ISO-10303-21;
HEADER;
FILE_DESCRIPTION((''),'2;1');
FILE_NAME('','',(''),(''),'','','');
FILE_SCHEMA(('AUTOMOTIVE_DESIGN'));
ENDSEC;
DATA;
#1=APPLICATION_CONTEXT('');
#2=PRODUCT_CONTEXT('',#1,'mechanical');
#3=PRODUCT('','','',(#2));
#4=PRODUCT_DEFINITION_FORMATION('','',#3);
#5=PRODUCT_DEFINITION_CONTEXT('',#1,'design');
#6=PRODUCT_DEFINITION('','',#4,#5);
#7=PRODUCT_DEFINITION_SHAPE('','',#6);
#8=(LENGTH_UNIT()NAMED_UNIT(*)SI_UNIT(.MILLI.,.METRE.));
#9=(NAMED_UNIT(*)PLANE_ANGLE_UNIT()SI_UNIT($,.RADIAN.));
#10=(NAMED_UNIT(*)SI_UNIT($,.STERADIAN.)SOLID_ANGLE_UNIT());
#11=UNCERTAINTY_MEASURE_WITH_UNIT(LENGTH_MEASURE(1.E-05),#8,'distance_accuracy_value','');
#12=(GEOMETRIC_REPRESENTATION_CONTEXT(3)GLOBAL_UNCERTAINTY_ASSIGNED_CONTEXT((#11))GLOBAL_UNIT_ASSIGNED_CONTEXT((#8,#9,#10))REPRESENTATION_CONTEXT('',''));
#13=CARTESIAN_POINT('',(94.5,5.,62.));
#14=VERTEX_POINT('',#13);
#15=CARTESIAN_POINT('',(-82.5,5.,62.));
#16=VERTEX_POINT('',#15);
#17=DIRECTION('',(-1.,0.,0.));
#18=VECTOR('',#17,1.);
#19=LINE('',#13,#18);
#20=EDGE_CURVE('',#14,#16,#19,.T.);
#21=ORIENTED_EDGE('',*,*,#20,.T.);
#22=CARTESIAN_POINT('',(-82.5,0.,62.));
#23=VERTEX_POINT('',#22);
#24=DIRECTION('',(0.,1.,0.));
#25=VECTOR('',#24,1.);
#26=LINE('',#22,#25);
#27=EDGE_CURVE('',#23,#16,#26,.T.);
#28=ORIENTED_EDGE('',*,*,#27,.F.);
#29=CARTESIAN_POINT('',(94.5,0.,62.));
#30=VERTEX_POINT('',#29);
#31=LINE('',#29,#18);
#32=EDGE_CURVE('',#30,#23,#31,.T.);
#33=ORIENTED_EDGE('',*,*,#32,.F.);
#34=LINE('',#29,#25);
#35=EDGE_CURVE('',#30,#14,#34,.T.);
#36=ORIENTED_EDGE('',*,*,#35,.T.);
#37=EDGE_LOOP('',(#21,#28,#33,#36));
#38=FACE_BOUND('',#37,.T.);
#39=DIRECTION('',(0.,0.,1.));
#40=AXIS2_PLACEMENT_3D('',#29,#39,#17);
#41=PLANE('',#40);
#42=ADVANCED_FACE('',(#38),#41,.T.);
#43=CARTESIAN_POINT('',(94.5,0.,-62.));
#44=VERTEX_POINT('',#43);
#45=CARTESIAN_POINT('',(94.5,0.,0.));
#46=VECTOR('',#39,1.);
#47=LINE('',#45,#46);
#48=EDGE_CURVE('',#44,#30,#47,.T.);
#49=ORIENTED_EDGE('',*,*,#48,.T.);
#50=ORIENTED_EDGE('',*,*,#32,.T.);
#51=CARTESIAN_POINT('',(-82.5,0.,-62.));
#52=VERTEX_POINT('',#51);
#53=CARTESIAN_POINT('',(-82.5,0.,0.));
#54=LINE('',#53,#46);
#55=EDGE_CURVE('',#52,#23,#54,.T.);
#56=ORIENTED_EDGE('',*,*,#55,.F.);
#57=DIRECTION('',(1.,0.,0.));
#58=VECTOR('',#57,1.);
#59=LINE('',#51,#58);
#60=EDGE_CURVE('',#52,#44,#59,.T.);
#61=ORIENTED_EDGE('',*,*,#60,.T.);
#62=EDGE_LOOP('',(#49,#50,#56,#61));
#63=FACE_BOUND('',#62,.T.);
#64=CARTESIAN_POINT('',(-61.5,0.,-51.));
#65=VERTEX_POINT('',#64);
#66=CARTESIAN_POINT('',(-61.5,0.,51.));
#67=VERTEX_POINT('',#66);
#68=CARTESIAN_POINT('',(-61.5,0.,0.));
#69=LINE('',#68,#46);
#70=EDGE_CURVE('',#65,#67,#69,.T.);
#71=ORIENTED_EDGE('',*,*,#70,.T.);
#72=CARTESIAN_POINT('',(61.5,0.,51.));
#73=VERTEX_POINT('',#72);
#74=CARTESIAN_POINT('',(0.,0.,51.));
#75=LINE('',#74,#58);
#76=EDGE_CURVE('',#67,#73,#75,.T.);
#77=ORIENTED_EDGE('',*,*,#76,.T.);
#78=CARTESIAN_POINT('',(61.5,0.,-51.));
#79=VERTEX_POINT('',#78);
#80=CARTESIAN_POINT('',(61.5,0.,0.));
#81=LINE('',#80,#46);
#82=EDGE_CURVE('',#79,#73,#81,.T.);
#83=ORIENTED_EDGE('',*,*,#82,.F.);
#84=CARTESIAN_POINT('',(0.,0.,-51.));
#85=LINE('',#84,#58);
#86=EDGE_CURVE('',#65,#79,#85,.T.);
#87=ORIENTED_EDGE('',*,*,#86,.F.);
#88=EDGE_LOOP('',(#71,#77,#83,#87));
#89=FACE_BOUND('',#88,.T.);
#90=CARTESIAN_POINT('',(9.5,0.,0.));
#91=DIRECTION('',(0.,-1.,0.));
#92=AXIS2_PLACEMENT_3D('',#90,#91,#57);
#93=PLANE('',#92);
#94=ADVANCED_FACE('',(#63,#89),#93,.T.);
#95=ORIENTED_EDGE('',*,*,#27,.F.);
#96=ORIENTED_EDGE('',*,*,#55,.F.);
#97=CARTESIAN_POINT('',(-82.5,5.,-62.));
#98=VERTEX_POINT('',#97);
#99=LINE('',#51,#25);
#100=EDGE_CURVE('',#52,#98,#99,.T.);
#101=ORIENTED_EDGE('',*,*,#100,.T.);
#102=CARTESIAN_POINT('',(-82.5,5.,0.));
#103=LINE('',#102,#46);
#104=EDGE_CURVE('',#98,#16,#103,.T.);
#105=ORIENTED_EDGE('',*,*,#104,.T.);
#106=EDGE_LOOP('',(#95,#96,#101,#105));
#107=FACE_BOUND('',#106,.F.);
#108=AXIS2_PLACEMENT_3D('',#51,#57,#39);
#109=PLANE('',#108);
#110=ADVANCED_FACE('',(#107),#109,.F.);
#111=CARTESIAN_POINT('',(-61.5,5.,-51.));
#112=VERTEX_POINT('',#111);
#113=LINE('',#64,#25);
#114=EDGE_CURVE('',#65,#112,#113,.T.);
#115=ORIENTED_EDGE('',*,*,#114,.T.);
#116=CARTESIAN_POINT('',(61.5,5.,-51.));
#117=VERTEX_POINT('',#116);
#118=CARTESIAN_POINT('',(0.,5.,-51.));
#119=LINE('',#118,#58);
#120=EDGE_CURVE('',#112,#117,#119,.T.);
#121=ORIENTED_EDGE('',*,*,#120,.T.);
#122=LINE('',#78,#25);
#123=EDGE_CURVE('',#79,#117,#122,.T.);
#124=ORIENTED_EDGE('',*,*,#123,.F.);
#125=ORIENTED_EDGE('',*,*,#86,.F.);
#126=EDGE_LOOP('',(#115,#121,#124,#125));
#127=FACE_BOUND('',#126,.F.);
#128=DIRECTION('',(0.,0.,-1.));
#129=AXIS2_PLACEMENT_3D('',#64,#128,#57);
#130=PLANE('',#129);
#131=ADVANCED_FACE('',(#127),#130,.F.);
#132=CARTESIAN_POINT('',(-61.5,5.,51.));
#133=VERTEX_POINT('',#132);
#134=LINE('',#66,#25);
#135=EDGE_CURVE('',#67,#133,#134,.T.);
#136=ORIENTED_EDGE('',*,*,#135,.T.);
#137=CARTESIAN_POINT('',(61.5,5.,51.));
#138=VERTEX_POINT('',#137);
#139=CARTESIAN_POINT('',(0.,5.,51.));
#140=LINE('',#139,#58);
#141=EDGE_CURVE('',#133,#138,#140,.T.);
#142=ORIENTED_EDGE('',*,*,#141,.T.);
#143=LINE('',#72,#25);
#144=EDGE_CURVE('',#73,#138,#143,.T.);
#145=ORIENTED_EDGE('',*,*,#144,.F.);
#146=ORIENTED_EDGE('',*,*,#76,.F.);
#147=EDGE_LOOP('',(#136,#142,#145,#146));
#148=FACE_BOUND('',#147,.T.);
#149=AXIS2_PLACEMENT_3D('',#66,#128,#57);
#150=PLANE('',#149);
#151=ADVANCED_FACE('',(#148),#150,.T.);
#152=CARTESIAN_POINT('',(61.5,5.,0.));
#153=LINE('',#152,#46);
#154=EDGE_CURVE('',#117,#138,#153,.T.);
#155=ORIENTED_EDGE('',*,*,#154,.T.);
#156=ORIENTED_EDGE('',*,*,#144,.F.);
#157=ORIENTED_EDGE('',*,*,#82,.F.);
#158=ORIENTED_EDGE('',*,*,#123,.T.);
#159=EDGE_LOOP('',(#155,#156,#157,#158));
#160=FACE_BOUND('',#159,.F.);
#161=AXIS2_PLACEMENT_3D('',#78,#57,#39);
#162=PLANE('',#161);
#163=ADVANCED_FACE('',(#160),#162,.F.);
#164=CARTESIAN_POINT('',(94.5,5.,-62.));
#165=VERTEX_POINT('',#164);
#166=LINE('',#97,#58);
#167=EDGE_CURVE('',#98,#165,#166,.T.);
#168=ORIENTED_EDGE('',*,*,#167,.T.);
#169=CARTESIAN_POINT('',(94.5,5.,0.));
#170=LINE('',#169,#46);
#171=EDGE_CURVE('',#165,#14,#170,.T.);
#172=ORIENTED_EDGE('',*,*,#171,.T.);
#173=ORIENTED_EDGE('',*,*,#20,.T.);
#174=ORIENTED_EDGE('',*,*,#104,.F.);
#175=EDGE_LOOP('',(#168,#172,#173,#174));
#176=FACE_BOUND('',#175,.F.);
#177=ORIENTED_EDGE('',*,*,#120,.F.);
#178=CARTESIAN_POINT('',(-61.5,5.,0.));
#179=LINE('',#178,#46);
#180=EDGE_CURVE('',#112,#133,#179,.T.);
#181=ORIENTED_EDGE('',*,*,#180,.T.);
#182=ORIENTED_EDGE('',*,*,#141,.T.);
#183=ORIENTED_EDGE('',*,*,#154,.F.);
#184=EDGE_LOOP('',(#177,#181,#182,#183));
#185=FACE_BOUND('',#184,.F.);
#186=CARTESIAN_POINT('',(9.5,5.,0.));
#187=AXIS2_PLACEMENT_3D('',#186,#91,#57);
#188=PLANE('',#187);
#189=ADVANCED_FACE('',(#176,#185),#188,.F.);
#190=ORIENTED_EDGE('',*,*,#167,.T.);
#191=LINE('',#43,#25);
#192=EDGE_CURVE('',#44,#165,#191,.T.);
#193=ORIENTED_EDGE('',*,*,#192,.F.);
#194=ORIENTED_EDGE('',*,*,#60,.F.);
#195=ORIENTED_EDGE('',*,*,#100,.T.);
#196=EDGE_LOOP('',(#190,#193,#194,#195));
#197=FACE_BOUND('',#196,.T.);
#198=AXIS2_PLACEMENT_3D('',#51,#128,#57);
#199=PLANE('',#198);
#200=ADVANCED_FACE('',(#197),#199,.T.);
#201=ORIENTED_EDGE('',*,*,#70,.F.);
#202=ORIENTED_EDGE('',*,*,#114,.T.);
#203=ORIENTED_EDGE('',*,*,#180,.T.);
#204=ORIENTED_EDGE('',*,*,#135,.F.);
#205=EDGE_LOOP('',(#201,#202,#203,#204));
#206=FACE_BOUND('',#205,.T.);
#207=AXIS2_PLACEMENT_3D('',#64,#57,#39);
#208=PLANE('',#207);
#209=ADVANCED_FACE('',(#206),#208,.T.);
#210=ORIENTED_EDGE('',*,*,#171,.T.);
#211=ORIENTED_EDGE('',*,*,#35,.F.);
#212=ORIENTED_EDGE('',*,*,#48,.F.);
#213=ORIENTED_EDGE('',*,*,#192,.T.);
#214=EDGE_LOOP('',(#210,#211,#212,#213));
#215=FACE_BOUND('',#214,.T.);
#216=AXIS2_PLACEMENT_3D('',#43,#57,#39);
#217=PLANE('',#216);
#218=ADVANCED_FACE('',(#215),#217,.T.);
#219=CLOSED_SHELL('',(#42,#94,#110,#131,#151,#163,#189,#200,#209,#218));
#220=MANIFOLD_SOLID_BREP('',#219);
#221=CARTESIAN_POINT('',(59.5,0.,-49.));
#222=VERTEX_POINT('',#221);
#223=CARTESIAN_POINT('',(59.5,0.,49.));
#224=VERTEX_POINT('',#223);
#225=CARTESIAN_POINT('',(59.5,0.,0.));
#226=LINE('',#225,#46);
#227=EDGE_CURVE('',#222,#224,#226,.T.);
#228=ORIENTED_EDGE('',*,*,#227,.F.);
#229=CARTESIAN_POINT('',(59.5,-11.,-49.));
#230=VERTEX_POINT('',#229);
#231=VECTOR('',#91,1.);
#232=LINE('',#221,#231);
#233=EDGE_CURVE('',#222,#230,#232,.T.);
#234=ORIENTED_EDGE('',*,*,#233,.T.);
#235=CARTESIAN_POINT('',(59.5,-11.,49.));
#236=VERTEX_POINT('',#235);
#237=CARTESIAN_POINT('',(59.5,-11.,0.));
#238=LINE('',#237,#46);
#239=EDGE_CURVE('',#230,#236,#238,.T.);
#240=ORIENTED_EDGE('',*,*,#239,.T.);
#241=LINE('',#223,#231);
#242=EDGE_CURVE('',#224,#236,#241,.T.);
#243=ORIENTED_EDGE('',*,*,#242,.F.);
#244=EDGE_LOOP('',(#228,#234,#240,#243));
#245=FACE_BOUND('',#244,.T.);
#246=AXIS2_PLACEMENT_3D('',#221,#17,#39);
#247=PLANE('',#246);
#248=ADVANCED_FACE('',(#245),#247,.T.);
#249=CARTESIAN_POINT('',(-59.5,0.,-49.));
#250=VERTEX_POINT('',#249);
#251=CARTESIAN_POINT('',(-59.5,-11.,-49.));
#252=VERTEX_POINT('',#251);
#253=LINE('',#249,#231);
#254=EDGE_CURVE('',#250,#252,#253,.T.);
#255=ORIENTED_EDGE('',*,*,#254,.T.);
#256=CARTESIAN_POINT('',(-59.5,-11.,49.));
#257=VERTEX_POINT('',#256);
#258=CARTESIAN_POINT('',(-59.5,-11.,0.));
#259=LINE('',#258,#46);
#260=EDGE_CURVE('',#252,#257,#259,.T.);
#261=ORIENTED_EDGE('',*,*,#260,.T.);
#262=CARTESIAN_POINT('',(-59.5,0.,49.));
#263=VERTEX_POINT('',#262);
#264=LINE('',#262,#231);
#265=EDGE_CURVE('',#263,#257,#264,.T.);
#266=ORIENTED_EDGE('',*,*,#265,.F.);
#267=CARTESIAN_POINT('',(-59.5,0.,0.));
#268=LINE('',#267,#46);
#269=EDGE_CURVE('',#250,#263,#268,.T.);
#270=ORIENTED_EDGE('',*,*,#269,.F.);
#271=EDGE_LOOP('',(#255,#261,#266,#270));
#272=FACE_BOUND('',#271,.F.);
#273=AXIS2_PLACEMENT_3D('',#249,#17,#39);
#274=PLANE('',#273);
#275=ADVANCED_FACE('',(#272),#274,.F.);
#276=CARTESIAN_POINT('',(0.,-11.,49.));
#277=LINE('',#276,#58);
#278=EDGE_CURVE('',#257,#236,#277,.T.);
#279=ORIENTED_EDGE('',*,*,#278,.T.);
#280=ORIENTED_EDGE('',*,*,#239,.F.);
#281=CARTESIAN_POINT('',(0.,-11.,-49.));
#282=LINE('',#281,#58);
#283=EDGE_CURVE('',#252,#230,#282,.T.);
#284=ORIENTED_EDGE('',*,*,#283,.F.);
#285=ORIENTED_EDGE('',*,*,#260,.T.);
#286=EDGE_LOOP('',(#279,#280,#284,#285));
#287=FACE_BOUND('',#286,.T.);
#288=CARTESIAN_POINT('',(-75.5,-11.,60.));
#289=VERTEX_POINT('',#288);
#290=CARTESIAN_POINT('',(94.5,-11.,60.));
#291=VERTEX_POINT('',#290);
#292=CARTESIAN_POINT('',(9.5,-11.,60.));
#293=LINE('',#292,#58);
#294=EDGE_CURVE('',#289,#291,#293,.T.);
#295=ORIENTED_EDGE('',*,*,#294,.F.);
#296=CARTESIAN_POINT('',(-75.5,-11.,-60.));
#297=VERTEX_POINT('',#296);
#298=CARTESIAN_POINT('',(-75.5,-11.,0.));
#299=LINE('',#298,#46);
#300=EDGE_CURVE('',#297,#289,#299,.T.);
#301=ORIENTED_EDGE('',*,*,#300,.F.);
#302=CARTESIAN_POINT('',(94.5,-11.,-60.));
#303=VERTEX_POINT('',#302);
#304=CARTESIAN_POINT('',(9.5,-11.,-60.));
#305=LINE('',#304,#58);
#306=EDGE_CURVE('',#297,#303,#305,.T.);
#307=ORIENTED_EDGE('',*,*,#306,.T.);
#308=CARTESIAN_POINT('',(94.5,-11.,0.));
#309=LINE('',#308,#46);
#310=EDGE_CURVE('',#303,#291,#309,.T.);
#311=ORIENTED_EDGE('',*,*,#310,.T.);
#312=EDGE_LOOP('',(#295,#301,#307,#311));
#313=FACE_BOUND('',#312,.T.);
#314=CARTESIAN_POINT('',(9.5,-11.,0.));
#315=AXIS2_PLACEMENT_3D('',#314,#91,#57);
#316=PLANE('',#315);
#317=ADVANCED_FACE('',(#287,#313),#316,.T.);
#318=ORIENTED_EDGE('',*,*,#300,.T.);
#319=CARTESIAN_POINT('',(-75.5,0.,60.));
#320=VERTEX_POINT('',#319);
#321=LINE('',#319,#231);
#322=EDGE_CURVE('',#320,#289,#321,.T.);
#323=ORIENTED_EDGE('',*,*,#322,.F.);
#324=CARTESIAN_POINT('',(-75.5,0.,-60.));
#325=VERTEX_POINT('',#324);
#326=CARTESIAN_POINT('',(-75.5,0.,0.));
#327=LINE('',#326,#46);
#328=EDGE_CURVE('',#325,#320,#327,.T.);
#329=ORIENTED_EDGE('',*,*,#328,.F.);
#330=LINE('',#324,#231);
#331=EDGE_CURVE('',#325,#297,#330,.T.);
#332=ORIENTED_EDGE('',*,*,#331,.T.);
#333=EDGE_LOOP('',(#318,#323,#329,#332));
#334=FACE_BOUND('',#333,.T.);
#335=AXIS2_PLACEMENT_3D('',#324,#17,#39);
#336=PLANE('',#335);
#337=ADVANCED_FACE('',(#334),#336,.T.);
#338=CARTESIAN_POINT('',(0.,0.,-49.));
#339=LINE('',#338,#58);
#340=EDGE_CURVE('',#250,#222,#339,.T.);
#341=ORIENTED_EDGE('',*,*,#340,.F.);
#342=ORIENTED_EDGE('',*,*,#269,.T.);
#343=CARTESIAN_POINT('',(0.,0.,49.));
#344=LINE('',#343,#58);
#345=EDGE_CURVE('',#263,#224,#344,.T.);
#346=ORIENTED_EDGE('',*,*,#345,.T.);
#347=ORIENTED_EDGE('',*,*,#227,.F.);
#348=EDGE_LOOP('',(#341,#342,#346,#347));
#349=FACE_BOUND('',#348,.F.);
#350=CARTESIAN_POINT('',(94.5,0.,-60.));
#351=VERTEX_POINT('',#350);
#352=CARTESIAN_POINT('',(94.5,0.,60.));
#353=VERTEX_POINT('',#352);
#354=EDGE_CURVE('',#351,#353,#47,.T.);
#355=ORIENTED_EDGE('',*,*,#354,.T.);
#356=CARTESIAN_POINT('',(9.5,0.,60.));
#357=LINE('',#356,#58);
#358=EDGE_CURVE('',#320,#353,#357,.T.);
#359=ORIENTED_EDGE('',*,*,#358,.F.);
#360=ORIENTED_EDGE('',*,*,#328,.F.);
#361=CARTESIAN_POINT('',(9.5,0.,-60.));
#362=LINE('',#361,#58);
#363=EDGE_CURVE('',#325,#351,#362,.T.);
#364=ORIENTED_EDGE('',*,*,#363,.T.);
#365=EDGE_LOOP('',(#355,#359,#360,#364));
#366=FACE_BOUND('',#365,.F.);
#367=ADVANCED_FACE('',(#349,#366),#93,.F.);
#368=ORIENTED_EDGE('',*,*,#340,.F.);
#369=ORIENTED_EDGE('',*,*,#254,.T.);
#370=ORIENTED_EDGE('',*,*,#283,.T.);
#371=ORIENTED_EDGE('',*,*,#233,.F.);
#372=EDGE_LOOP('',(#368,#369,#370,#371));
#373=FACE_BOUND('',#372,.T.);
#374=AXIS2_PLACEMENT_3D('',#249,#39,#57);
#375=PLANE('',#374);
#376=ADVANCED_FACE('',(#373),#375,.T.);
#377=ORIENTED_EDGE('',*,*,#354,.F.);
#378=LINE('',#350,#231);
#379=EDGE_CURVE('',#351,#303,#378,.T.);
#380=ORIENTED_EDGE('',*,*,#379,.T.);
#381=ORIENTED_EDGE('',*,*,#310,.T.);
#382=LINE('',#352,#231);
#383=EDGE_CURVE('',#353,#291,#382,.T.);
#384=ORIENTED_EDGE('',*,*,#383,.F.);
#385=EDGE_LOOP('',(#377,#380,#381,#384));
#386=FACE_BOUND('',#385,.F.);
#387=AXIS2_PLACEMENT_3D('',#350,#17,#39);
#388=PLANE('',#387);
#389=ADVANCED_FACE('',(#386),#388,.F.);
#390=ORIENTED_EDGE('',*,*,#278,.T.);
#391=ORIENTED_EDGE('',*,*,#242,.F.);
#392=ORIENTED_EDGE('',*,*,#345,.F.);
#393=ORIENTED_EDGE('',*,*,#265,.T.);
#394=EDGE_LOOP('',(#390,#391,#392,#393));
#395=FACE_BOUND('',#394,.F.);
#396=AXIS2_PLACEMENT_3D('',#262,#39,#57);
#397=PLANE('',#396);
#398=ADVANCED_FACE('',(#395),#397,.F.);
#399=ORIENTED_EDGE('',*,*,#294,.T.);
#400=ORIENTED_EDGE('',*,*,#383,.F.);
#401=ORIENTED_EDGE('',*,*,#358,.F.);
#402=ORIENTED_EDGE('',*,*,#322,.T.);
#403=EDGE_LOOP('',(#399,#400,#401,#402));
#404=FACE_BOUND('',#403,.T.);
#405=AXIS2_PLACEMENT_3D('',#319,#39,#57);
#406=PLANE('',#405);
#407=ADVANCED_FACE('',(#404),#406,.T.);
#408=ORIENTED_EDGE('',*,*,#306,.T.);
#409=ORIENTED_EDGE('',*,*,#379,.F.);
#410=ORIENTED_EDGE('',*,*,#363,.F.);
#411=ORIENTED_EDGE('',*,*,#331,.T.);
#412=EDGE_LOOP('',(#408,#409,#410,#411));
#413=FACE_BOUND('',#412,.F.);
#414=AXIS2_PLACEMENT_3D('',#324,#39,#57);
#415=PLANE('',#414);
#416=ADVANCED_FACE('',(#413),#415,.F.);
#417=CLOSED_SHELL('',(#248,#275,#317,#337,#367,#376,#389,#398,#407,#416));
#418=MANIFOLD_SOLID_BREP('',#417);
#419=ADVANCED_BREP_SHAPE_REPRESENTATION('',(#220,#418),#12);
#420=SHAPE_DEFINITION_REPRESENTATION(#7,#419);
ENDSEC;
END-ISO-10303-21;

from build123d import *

# Parameters (mm, degrees)
F0_W     = 170
F0_H     = 120
F0_W_2   = 119
F0_H_2   = 98
F1_DEPTH = 11
F2_W     = 170
F2_H     = 124
F2_W_2   = 123
F2_H_2   = 102
F2_W_3   = 7
F3_DEPTH = 5


with BuildPart() as f1:
    # F0 (on Front) → F1 (new body)
    with BuildSketch(Plane.XZ):
        with Locations((9.5, 0)):
            Rectangle(F0_W, F0_H)
        Rectangle(F0_W_2, F0_H_2, mode=Mode.SUBTRACT)
    extrude(amount=F1_DEPTH)


with BuildPart() as f3:
    # F2 (on Front) → F3 (new body)
    with BuildSketch(Plane.XZ):
        with Locations((9.5, 0)):
            Rectangle(F2_W, F2_H)
        Rectangle(F2_W_2, F2_H_2, mode=Mode.SUBTRACT)
        with Locations((-79, 0)):
            Rectangle(F2_W_3, F2_H)
    extrude(amount=-F3_DEPTH)


solid = Compound([f1.part, f3.part])
